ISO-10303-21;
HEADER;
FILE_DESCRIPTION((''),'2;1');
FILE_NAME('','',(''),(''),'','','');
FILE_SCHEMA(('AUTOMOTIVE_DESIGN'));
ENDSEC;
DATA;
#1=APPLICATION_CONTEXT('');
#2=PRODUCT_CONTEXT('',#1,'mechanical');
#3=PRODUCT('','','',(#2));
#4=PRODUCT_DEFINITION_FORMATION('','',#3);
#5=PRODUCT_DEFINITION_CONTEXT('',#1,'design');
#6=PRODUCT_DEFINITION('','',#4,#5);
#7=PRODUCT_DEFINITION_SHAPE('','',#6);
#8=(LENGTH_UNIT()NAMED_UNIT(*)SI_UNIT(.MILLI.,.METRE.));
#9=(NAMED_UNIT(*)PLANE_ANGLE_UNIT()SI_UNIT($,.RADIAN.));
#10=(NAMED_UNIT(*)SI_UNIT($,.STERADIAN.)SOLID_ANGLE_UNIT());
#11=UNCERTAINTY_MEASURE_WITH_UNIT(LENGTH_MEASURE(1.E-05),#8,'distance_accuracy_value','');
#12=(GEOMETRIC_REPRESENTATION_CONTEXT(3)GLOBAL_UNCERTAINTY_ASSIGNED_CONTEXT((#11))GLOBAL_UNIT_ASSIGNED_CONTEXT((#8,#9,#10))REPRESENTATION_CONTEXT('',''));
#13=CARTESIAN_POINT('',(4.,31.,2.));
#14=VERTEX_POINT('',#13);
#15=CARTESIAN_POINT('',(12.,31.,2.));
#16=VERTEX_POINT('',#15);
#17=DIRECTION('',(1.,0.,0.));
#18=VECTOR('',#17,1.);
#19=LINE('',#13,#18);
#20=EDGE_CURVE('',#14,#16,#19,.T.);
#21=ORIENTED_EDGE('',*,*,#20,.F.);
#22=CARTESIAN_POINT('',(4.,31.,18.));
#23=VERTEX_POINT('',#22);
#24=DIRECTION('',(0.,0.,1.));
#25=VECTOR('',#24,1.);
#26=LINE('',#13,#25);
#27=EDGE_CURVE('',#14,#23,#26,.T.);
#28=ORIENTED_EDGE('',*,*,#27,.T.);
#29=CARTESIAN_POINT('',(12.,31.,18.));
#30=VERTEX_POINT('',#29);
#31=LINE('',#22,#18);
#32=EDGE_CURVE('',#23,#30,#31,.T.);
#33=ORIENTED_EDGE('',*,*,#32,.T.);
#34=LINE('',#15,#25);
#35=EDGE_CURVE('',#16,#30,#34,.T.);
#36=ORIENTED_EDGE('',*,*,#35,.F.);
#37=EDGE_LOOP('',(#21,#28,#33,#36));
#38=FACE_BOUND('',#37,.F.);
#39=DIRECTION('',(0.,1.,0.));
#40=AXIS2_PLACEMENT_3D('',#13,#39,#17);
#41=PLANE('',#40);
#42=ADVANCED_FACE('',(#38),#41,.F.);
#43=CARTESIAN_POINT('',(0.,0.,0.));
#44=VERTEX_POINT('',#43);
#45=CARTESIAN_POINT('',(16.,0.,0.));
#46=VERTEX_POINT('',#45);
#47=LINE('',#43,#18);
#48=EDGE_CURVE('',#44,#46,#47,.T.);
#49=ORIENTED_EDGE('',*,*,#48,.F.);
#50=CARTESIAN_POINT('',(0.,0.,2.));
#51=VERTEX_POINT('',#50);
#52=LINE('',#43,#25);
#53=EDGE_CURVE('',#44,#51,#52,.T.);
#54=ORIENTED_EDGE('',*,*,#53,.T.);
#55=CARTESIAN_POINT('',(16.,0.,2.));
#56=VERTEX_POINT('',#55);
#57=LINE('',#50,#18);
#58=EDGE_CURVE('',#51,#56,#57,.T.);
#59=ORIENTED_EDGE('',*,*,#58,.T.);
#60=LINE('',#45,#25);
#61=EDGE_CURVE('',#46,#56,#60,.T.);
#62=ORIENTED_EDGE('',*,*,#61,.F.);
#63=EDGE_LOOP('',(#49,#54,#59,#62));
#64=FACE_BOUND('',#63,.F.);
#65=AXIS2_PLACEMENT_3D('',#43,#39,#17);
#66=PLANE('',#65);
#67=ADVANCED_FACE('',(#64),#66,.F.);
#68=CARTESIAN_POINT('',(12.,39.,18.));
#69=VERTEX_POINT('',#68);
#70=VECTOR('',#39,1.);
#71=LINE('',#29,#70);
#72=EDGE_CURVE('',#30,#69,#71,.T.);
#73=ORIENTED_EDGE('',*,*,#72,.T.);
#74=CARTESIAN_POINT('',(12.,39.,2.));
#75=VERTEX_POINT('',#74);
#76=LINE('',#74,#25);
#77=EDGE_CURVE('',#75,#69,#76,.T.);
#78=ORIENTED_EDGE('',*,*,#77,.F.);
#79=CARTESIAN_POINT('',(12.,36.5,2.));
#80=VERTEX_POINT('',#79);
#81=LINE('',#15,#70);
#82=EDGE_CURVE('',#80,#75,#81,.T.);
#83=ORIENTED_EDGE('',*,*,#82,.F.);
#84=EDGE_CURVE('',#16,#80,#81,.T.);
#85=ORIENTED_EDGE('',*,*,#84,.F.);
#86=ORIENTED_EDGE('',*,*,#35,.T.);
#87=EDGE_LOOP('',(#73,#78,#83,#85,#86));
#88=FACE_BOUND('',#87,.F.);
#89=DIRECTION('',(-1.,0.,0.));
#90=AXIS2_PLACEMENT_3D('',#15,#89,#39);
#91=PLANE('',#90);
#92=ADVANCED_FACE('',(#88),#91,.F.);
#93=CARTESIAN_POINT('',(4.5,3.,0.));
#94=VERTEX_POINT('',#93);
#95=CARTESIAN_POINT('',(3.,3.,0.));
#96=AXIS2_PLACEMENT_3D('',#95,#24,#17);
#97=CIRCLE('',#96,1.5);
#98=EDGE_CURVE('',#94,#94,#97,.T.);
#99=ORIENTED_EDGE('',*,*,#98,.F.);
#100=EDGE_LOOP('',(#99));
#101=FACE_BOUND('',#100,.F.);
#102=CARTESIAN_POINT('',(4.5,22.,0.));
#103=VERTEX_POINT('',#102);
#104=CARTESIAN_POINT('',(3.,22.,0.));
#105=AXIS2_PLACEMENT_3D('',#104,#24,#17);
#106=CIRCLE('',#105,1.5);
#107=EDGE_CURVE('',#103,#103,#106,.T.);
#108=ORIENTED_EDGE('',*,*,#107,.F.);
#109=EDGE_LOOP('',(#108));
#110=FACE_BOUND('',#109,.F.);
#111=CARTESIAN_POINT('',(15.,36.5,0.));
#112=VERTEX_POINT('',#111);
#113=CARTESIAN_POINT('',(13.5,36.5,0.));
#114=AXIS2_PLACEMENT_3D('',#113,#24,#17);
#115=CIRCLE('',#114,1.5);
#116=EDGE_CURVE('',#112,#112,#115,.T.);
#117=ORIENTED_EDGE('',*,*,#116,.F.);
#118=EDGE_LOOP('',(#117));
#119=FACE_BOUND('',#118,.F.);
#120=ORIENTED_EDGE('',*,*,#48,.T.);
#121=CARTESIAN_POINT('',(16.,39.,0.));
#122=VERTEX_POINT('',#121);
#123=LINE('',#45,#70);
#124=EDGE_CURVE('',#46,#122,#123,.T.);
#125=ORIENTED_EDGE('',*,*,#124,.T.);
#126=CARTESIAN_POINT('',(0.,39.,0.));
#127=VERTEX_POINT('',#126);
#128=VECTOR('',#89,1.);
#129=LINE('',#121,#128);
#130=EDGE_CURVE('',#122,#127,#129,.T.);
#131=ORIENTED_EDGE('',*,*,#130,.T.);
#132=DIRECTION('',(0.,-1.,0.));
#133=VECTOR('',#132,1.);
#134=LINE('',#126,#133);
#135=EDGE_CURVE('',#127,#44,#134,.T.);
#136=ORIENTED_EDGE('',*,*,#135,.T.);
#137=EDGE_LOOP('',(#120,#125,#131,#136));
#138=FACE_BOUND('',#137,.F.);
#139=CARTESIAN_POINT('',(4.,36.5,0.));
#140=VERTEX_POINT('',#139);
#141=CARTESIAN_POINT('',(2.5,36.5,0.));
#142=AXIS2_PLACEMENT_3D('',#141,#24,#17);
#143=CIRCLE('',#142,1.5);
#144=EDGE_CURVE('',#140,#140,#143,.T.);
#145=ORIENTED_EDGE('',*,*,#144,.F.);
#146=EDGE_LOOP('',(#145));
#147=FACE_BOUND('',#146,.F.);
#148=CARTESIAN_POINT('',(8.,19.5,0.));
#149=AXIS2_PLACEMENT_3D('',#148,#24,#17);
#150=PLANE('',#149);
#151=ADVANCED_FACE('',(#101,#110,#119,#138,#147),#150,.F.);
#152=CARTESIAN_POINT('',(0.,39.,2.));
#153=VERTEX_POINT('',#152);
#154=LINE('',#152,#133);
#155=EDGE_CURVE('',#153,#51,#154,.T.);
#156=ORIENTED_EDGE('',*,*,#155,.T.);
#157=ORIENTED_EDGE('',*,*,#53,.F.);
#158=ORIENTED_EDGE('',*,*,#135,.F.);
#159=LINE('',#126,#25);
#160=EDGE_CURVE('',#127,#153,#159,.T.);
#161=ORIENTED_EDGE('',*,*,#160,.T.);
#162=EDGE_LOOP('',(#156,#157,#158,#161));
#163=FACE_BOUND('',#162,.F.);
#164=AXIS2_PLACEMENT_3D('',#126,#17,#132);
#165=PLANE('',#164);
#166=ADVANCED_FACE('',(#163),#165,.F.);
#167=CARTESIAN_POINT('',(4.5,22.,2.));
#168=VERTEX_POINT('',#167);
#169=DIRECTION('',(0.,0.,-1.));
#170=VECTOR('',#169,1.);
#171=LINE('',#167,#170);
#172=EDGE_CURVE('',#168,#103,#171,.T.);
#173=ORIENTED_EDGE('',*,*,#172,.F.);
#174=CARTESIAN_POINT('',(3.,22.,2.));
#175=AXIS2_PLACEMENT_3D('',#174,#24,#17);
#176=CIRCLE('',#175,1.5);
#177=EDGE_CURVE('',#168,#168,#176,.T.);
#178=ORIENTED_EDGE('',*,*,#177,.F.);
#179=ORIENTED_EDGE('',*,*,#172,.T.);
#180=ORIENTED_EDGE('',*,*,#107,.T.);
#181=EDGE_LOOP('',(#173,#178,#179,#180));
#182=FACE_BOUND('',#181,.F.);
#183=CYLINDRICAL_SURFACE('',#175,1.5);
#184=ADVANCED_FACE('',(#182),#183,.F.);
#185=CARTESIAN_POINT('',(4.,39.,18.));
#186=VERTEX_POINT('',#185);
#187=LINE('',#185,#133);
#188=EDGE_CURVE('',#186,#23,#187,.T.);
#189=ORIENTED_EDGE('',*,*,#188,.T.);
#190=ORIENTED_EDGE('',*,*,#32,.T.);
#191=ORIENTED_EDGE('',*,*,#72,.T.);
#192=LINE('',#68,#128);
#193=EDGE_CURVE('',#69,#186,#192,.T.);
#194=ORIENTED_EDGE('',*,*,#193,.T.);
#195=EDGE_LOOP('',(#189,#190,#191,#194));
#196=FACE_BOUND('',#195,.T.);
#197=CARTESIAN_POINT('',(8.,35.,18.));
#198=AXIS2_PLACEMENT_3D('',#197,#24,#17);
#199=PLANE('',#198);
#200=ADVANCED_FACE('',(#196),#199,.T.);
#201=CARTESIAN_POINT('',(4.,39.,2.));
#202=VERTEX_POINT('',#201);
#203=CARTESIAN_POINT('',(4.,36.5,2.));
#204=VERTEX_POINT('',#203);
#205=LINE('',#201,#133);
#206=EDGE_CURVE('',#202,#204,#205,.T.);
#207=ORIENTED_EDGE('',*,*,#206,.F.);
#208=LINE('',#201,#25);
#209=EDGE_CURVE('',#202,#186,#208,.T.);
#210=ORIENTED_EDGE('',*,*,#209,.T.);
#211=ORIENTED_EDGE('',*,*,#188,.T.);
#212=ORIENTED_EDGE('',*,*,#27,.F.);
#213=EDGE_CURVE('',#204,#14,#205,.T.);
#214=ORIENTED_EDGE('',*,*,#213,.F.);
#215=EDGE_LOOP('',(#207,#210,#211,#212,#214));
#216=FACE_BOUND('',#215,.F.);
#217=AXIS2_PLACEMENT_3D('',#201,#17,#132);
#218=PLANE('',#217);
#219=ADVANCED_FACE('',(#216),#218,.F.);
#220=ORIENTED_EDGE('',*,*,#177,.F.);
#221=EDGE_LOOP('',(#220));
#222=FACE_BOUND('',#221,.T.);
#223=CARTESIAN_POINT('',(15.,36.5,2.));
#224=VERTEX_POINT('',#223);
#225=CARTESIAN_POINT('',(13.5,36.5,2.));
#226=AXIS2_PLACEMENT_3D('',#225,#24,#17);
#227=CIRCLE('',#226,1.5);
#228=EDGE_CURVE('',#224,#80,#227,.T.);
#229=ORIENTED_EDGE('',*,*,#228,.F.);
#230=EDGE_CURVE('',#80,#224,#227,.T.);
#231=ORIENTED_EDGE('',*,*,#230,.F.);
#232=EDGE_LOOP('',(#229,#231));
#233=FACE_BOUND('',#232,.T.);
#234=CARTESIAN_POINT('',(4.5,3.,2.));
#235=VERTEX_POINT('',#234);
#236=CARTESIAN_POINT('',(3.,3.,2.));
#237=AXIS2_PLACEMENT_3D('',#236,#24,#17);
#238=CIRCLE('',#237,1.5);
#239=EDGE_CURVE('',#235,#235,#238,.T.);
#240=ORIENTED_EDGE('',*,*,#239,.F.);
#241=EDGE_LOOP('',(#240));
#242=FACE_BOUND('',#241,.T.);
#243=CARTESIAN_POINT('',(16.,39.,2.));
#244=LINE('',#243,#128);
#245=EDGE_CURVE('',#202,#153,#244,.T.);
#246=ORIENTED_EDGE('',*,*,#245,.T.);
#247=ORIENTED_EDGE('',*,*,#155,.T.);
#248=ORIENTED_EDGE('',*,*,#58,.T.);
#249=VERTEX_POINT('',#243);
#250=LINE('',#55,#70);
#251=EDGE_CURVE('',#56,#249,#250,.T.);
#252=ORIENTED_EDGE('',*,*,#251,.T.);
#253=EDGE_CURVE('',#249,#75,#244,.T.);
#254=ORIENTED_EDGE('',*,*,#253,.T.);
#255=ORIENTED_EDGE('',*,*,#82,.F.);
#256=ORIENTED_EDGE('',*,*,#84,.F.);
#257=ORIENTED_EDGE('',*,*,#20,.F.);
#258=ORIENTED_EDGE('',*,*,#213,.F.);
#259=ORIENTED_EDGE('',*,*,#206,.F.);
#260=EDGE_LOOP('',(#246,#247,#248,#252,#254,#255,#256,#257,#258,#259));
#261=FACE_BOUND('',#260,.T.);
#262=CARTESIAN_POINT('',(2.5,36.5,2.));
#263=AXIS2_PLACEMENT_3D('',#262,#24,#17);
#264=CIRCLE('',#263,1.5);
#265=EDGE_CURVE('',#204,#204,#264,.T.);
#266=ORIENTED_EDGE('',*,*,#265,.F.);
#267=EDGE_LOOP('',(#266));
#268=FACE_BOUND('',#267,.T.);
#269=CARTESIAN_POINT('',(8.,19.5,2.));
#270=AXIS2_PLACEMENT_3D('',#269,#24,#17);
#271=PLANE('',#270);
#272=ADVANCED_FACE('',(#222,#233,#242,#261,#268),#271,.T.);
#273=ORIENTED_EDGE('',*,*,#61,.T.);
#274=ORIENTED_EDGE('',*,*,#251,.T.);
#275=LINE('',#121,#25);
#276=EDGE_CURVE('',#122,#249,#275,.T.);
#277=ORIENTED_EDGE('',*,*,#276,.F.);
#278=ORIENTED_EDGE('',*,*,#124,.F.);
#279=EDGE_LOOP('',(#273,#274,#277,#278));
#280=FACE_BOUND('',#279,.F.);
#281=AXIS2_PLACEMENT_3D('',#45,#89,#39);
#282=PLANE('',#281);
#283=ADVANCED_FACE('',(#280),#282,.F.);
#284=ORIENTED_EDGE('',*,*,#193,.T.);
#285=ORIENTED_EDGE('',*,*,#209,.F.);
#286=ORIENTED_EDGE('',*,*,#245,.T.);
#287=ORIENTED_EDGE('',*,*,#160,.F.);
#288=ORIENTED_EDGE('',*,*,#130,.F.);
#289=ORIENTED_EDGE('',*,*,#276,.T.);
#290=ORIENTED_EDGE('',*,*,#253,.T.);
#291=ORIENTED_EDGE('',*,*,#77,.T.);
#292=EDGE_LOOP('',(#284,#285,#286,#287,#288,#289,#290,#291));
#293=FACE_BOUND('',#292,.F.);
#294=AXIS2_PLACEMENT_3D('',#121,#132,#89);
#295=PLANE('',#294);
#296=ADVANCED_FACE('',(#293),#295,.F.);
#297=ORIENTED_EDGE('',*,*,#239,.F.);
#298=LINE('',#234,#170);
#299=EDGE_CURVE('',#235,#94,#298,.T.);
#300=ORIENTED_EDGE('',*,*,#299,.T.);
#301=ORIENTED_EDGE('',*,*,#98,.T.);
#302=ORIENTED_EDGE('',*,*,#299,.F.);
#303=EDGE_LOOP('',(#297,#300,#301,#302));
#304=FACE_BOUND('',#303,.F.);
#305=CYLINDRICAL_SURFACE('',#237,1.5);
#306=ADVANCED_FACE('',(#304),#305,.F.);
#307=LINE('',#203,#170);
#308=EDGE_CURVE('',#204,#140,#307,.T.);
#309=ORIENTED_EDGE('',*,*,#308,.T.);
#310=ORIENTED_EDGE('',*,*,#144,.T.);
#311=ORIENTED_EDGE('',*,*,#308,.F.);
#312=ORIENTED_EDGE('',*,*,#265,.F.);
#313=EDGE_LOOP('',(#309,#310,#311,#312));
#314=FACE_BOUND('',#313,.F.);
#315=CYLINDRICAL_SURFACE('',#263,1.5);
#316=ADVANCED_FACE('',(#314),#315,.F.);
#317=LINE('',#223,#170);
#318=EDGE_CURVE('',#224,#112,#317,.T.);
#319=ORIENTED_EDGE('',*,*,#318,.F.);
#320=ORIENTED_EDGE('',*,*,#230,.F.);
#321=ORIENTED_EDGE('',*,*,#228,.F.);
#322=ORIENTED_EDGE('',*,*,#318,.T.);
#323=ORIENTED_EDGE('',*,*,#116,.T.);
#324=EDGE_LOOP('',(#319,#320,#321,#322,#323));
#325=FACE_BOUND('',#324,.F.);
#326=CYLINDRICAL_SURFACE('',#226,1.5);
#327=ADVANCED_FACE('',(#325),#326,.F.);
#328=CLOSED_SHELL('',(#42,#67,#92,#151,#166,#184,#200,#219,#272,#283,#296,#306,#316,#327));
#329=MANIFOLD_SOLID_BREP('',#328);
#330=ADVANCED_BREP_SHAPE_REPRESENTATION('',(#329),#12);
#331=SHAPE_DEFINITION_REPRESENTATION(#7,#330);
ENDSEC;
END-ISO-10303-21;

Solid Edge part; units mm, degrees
sketch "Sketch1" plane through (0, 0, 0) normal (0, 0, 1) x (1, 0, 0)
  line L0 (0, 0) -> (16, 0)
  line L1 (16, 0) -> (16, 39)
  line L2 (16, 39) -> (0, 39)
  line L3 (0, 39) -> (0, 0)
  dimension "D1" = 16
  dimension "D2" = 39
extrude "Protrusion1" add sketch "Sketch1" along normal blind 2
sketch "Sketch2" plane through (8, 19.5, 2) normal (0, 0, 1) x (1, 0, 0)
  circle A0 centre (-5, 2.5) radius 1.5
  circle A1 centre (-5.5, 17) radius 1.5
  circle A2 centre (5.5, 17) radius 1.5
  circle A3 centre (-5, -16.5) radius 1.5
  dimension "D1" = 3
  dimension "D2" = 22
  dimension "D3" = 3
  dimension "D4" = 2.5
  dimension "D5" = 2.5
  dimension "D6" = 2.5
  dimension "D7" = 11
extrude "Cutout1" cut sketch "Sketch2" against normal through all
sketch "Sketch3" plane through (8, 19.5, 2) normal (0, 0, 1) x (1, 0, 0)
  line L0 (-4, 11.5) -> (4, 11.5)
  line L1 (4, 11.5) -> (4, 19.5)
  line L2 (4, 19.5) -> (-4, 19.5)
  line L3 (-4, 19.5) -> (-4, 11.5)
  dimension "D1" = 8
  dimension "D2" = 8
extrude "ExtrudedProtrusion_2" add sketch "Sketch3" along normal blind 16
